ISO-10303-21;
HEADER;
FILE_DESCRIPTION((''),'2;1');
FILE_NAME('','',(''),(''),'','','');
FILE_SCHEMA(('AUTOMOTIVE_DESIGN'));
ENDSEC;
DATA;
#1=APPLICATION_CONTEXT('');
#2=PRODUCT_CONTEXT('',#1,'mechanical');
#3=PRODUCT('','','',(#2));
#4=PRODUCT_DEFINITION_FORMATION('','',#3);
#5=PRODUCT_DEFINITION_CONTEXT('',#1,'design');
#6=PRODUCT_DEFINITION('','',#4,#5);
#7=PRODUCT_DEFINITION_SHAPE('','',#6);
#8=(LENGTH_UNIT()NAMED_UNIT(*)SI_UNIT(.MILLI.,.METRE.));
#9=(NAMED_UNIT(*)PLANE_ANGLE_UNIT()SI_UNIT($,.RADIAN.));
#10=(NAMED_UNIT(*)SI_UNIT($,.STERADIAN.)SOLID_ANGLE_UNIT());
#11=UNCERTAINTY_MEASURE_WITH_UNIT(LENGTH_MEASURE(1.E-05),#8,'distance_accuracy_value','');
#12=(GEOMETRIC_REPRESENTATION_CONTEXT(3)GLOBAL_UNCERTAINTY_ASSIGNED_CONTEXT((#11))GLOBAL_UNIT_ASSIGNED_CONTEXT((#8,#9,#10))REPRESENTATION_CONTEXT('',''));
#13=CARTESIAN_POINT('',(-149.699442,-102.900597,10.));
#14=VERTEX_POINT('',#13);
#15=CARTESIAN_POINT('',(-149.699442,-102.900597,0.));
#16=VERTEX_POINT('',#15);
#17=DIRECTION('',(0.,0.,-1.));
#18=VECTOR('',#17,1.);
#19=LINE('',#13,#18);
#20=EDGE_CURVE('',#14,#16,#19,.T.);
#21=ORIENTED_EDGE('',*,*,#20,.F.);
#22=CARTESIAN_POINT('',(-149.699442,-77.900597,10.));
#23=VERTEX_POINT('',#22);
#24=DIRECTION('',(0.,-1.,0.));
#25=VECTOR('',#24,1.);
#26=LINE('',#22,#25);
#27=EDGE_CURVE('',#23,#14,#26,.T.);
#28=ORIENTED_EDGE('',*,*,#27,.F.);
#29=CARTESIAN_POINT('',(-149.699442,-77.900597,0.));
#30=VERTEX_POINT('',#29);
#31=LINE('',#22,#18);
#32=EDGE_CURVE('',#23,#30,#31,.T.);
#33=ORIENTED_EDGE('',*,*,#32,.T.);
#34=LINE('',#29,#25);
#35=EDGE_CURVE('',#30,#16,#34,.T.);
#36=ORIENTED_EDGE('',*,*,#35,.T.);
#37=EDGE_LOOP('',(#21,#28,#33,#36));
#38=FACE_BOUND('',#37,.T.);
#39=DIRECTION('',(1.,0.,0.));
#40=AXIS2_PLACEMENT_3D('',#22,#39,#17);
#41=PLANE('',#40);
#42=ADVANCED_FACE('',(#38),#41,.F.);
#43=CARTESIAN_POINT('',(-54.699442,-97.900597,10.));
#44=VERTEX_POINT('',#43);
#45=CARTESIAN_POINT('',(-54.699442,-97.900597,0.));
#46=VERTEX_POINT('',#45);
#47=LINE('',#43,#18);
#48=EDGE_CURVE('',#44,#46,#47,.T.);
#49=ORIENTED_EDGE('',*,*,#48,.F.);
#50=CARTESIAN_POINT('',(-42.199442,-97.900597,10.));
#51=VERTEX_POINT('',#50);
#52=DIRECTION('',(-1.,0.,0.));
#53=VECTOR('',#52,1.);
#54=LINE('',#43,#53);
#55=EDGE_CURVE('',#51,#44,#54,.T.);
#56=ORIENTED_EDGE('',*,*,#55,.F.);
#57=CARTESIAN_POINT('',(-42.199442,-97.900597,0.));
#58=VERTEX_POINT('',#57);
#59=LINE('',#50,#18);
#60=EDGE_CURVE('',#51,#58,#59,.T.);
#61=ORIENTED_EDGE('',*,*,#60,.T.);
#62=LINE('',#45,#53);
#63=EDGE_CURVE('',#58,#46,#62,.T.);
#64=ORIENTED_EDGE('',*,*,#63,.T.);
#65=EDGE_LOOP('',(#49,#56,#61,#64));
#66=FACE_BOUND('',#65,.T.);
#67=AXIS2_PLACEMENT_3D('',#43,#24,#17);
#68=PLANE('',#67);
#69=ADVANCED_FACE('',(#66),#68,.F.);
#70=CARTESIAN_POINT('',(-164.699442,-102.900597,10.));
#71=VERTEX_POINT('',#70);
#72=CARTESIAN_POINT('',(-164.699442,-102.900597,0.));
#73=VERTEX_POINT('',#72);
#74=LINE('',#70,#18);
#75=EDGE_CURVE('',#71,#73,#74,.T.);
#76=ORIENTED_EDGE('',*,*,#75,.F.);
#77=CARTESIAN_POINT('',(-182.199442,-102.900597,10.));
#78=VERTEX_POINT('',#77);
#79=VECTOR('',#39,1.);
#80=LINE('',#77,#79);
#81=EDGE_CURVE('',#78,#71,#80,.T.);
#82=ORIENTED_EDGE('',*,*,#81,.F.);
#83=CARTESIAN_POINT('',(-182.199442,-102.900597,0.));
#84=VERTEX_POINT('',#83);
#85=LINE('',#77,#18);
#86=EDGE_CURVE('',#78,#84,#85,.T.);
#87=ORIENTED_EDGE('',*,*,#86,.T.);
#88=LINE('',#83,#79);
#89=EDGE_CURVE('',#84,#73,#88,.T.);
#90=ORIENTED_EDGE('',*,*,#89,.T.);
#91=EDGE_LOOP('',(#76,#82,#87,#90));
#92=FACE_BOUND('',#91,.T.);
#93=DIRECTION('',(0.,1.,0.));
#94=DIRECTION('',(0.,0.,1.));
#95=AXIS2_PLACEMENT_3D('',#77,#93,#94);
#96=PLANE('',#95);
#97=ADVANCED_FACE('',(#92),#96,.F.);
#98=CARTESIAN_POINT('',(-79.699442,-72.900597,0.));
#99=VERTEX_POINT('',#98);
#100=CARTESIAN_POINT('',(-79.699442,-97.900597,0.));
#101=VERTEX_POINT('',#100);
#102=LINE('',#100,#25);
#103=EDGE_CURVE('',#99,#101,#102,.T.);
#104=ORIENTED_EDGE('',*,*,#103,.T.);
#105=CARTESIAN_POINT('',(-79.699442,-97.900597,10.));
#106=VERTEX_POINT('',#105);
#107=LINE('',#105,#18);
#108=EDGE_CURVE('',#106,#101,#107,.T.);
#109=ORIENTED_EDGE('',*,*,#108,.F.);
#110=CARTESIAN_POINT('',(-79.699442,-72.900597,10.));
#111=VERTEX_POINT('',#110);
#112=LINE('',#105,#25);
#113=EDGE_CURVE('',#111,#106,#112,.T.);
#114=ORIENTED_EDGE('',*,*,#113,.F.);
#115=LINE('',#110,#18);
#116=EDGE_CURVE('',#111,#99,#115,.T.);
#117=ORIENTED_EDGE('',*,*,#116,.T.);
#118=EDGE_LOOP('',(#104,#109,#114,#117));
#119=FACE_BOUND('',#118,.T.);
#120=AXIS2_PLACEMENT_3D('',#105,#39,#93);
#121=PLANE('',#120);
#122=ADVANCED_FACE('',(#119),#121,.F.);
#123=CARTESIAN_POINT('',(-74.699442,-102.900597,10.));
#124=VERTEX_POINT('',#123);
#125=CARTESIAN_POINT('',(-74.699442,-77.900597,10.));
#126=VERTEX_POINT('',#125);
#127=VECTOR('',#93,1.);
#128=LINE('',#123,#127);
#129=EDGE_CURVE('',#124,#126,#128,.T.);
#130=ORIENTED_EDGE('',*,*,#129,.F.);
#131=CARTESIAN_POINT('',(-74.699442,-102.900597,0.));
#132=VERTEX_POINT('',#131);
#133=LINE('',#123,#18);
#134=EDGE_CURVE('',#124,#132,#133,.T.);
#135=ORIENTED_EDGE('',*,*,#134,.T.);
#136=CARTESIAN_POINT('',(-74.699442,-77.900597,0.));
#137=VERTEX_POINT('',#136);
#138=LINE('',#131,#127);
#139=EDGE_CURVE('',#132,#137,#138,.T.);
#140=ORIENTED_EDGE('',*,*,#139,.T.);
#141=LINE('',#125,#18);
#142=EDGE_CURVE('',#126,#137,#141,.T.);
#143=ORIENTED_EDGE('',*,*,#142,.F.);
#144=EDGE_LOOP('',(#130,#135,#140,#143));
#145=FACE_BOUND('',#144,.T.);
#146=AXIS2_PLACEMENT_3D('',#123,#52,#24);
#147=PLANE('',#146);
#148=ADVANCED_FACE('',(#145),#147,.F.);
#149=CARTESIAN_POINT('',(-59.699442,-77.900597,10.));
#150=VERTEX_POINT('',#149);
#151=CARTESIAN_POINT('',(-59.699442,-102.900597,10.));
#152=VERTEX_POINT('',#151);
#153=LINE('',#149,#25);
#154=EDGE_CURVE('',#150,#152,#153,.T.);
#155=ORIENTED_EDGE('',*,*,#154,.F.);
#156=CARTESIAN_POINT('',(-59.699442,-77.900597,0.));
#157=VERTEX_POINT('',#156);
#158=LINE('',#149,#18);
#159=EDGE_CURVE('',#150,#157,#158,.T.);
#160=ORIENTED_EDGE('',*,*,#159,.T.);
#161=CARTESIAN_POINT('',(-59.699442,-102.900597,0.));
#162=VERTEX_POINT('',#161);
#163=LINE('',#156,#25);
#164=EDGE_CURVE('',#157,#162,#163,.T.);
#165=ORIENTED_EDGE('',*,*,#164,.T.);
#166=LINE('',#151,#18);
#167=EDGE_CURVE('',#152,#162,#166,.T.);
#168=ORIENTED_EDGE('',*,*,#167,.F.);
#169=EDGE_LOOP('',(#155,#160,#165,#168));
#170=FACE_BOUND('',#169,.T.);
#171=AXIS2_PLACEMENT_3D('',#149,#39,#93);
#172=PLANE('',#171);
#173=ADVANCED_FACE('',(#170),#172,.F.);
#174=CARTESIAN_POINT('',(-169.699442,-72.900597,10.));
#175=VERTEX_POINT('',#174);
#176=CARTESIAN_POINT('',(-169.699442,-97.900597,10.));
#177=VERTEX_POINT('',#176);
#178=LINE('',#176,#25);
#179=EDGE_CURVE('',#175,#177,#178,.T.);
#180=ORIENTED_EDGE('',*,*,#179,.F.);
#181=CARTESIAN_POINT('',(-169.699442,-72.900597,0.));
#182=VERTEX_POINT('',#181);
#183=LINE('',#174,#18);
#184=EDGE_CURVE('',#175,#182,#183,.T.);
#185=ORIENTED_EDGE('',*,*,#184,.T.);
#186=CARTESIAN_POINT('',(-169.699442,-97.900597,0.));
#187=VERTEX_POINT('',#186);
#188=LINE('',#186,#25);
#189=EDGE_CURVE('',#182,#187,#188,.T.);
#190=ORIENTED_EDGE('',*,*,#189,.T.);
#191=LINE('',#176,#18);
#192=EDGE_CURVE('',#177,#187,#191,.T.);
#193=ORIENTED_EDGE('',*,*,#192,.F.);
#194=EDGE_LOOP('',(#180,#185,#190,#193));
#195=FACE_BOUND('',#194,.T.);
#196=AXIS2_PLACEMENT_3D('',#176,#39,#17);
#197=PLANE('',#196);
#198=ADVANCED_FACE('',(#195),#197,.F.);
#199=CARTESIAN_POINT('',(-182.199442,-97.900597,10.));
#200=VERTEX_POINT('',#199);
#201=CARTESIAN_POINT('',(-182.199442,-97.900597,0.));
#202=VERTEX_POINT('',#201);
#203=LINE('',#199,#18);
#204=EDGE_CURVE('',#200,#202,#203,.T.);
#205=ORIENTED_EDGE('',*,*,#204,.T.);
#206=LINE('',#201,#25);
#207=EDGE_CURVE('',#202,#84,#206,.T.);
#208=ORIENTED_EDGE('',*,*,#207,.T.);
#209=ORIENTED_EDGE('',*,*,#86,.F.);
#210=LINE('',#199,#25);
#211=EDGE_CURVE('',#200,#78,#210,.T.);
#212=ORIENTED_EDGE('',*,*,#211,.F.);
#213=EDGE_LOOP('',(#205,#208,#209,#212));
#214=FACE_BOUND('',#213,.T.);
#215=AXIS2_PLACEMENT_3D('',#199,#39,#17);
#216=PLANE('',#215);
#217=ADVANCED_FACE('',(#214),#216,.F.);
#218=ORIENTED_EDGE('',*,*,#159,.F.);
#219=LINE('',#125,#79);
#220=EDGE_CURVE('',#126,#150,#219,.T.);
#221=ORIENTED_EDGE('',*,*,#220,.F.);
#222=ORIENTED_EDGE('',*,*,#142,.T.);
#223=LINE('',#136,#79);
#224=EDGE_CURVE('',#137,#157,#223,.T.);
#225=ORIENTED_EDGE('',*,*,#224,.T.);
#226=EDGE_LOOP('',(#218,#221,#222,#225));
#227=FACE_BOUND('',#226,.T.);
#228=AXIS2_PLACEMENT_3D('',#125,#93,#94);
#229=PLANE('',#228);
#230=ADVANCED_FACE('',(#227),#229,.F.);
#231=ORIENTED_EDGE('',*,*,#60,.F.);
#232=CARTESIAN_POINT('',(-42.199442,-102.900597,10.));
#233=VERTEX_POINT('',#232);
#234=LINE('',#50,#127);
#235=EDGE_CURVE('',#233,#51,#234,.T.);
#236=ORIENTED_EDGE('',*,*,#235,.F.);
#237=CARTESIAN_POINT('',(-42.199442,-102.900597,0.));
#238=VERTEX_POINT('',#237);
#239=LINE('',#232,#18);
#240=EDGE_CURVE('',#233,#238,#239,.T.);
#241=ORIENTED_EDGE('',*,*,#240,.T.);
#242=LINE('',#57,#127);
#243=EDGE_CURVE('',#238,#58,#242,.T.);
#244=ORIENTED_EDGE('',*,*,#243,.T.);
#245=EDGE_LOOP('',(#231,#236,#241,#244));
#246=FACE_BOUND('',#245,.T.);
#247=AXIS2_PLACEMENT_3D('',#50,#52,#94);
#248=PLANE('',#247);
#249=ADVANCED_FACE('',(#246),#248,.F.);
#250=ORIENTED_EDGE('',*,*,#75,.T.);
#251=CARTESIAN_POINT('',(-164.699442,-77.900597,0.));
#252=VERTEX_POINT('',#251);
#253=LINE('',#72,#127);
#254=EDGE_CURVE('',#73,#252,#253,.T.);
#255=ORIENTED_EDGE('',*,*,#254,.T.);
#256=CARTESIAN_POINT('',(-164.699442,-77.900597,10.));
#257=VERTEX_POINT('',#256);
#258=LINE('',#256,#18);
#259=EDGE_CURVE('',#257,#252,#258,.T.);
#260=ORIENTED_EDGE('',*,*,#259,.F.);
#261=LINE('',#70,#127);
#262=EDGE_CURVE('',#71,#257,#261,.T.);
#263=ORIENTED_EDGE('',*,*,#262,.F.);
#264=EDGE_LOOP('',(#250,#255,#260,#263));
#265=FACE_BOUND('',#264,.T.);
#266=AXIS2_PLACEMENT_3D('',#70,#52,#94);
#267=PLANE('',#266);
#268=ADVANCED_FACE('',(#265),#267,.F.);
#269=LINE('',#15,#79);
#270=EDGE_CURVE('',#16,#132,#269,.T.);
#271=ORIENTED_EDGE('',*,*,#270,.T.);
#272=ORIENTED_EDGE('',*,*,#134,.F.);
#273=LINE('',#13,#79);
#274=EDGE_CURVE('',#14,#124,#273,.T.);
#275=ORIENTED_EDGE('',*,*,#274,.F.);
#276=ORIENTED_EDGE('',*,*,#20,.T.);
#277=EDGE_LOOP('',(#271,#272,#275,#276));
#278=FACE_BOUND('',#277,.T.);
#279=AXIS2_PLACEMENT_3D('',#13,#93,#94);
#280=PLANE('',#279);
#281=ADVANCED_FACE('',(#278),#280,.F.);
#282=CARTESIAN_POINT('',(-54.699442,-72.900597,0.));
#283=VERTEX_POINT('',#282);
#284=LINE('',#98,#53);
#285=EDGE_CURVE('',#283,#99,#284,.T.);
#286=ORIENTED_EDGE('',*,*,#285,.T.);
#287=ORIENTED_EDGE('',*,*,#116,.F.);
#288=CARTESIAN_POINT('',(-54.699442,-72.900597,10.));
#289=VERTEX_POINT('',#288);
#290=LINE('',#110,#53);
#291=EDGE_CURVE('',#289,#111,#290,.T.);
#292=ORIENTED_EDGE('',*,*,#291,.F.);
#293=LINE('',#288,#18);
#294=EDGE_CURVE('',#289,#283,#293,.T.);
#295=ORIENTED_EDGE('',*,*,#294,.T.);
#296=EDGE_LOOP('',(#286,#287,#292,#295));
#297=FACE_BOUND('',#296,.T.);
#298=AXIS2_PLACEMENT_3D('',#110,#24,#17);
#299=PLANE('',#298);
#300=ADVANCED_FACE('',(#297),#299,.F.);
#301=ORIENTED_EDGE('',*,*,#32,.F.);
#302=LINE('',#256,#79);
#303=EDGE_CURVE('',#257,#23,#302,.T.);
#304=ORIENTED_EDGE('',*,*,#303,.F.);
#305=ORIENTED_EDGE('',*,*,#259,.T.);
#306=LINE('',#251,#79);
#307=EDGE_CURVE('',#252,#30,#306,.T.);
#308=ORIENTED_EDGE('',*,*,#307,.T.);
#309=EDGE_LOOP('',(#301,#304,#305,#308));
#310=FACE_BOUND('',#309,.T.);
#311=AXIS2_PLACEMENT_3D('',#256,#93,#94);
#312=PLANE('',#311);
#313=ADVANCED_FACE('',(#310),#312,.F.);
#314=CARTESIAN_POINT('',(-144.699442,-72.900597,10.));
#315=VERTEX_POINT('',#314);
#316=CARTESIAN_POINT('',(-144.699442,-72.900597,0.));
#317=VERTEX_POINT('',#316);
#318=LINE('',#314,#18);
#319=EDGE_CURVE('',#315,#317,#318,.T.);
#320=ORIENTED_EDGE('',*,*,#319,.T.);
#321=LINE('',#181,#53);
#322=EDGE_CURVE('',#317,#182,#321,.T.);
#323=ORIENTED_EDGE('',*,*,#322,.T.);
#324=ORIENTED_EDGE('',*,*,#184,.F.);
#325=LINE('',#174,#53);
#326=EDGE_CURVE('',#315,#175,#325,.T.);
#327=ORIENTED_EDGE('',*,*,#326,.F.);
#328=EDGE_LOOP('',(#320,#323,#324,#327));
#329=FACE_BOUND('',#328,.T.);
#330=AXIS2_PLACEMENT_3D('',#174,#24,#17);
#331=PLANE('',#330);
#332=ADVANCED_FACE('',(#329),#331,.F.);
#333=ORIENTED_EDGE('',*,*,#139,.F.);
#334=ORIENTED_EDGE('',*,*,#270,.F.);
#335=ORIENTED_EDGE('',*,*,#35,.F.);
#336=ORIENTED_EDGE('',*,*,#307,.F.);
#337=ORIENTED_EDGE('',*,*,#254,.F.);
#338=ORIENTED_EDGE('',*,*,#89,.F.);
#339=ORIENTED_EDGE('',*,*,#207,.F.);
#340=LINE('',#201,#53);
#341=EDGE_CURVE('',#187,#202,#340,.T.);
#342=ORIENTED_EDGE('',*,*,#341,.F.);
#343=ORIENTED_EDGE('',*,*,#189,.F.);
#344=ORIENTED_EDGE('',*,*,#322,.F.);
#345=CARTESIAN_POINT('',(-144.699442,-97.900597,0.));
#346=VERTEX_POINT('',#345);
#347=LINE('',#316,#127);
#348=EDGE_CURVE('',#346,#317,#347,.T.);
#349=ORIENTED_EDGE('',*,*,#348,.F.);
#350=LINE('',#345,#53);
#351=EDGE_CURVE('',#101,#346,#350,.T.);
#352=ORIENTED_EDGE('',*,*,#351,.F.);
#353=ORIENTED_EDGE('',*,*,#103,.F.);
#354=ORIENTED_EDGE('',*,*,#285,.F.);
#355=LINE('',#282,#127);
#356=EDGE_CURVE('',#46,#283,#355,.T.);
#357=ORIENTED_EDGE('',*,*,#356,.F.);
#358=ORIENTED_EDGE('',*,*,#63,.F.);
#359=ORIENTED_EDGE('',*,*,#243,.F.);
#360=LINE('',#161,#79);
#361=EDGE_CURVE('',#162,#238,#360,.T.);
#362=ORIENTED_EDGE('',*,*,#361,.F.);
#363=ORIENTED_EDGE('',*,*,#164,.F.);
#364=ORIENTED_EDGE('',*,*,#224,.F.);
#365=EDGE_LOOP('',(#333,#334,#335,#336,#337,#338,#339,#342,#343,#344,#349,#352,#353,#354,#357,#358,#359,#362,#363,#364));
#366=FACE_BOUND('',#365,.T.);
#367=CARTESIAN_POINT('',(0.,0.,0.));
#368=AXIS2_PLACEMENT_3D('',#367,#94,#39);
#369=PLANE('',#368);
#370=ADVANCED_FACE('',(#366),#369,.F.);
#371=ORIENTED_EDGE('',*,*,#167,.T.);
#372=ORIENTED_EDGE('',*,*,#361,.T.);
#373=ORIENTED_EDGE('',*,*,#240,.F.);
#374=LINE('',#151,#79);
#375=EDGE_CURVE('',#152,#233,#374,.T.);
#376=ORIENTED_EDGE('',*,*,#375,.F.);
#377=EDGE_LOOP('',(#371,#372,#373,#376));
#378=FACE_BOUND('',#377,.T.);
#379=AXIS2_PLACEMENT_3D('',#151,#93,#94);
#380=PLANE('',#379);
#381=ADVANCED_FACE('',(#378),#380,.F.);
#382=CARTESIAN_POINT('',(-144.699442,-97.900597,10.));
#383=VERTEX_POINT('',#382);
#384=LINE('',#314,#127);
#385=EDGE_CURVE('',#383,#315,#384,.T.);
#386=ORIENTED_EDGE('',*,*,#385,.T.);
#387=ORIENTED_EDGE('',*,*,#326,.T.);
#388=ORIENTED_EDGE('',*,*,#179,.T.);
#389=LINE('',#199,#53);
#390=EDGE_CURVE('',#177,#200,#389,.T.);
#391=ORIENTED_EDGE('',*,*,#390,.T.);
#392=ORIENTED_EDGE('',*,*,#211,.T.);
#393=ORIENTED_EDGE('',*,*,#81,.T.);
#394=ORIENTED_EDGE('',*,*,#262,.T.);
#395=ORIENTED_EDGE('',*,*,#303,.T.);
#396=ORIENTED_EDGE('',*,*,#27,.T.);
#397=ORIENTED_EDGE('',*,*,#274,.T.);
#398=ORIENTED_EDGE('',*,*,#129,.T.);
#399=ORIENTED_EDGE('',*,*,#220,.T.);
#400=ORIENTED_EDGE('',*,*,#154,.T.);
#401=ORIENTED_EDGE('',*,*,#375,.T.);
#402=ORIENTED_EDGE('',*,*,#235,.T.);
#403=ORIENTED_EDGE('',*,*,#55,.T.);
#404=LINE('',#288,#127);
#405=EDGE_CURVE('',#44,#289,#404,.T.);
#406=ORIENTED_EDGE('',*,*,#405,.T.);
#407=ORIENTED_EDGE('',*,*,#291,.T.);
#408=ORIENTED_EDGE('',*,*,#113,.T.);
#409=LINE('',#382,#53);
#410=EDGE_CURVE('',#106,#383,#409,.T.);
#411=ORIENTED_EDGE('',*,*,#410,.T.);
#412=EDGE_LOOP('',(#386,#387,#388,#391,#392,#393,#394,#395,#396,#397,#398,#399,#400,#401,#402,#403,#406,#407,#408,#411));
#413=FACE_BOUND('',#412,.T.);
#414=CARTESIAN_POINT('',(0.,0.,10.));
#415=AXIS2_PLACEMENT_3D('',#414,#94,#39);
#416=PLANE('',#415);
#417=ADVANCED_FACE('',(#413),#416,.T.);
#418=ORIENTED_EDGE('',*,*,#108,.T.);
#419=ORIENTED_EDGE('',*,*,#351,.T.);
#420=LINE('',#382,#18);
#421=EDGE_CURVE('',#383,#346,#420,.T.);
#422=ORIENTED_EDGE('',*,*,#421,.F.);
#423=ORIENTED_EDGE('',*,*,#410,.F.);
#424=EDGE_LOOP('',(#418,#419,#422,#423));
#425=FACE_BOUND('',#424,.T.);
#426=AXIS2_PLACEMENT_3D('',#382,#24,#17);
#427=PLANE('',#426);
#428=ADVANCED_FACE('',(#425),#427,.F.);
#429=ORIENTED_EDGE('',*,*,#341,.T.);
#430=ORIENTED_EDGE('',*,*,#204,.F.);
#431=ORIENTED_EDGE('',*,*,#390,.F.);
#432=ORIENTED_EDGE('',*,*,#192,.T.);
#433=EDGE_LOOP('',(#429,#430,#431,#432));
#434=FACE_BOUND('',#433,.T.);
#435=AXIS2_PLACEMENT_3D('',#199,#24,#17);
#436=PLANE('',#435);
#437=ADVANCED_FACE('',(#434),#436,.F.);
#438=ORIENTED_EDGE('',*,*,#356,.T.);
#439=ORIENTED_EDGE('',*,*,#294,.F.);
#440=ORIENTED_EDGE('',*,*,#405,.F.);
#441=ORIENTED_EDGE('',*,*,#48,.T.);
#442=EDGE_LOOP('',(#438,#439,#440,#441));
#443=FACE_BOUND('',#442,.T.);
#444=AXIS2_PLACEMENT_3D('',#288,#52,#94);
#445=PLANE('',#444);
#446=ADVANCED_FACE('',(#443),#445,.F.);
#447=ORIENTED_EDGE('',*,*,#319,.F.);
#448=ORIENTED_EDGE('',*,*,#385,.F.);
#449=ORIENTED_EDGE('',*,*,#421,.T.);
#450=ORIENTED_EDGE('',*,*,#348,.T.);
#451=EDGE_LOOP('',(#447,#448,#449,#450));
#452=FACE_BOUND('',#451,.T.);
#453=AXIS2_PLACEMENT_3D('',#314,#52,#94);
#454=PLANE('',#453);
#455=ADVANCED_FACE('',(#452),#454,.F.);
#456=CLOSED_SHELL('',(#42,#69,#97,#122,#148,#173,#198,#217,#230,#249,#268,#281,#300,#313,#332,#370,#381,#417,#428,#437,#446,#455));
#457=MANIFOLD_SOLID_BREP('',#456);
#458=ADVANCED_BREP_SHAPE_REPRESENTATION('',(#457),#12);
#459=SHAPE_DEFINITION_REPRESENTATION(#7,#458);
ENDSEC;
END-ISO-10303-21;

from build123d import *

# Parameters (mm, degrees)
BOSS_EXTRUDE1_DEPTH = 10


with BuildPart() as part:
    # Sketch1 → Boss-Extrude1 (new body)
    with BuildSketch(Plane.XY):
        Polygon((-182.199442144, -97.900596595), (-169.699442144, -97.900596595), (-169.699442144, -72.900596595), (-144.699442144, -72.900596595), (-144.699442144, -97.900596595), (-79.699442144, -97.900596595), (-79.699442144, -72.900596595), (-54.699442144, -72.900596595), (-54.699442144, -97.900596595), (-42.199442144, -97.900596595), (-42.199442144, -102.900596595), (-59.699442144, -102.900596595), (-59.699442144, -77.900596595), (-74.699442144, -77.900596595), (-74.699442144, -102.900596595), (-149.699442144, -102.900596595), (-149.699442144, -77.900596595), (-164.699442144, -77.900596595), (-164.699442144, -102.900596595), (-182.199442144, -102.900596595), align=None)
    extrude(amount=BOSS_EXTRUDE1_DEPTH)


solid = part.part
